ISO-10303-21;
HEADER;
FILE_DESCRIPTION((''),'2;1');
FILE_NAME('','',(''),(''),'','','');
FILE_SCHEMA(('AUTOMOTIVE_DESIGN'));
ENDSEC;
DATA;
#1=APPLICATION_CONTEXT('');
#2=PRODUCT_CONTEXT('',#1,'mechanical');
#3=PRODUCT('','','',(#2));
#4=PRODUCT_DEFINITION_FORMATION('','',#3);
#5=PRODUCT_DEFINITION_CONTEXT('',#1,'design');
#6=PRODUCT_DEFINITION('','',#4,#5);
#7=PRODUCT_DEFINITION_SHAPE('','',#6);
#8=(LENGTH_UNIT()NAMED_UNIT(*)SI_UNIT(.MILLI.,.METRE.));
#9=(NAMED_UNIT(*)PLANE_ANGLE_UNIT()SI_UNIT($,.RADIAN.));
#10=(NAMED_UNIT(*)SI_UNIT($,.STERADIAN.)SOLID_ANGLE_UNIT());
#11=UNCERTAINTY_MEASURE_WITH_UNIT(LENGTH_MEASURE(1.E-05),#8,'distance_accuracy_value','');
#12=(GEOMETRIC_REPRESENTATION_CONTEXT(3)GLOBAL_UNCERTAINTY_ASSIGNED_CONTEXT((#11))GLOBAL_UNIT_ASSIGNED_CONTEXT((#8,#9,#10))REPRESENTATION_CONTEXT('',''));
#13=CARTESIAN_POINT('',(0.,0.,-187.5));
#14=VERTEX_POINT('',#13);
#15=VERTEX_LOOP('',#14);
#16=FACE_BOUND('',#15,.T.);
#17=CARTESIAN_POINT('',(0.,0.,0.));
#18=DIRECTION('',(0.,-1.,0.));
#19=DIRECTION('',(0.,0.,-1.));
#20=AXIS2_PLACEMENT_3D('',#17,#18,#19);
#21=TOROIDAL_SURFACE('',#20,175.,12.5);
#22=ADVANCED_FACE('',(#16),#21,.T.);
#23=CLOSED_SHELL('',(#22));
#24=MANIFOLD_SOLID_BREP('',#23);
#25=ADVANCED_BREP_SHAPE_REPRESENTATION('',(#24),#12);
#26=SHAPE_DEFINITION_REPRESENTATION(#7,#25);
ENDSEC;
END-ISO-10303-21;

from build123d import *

# Parameters (mm, degrees)
SKETCH2_R = 12.5


with BuildPart() as part:
    # Sketch2 → Revolve1 (revolve)
    with BuildSketch(Plane(origin=(0, 0, 0), x_dir=(0, 0, -1), z_dir=(1, 0, 0))):
        with Locations((175, 0)):
            Circle(SKETCH2_R)
    revolve(axis=Axis((0, 0, 0), (0, 1, 0)))


solid = part.part
